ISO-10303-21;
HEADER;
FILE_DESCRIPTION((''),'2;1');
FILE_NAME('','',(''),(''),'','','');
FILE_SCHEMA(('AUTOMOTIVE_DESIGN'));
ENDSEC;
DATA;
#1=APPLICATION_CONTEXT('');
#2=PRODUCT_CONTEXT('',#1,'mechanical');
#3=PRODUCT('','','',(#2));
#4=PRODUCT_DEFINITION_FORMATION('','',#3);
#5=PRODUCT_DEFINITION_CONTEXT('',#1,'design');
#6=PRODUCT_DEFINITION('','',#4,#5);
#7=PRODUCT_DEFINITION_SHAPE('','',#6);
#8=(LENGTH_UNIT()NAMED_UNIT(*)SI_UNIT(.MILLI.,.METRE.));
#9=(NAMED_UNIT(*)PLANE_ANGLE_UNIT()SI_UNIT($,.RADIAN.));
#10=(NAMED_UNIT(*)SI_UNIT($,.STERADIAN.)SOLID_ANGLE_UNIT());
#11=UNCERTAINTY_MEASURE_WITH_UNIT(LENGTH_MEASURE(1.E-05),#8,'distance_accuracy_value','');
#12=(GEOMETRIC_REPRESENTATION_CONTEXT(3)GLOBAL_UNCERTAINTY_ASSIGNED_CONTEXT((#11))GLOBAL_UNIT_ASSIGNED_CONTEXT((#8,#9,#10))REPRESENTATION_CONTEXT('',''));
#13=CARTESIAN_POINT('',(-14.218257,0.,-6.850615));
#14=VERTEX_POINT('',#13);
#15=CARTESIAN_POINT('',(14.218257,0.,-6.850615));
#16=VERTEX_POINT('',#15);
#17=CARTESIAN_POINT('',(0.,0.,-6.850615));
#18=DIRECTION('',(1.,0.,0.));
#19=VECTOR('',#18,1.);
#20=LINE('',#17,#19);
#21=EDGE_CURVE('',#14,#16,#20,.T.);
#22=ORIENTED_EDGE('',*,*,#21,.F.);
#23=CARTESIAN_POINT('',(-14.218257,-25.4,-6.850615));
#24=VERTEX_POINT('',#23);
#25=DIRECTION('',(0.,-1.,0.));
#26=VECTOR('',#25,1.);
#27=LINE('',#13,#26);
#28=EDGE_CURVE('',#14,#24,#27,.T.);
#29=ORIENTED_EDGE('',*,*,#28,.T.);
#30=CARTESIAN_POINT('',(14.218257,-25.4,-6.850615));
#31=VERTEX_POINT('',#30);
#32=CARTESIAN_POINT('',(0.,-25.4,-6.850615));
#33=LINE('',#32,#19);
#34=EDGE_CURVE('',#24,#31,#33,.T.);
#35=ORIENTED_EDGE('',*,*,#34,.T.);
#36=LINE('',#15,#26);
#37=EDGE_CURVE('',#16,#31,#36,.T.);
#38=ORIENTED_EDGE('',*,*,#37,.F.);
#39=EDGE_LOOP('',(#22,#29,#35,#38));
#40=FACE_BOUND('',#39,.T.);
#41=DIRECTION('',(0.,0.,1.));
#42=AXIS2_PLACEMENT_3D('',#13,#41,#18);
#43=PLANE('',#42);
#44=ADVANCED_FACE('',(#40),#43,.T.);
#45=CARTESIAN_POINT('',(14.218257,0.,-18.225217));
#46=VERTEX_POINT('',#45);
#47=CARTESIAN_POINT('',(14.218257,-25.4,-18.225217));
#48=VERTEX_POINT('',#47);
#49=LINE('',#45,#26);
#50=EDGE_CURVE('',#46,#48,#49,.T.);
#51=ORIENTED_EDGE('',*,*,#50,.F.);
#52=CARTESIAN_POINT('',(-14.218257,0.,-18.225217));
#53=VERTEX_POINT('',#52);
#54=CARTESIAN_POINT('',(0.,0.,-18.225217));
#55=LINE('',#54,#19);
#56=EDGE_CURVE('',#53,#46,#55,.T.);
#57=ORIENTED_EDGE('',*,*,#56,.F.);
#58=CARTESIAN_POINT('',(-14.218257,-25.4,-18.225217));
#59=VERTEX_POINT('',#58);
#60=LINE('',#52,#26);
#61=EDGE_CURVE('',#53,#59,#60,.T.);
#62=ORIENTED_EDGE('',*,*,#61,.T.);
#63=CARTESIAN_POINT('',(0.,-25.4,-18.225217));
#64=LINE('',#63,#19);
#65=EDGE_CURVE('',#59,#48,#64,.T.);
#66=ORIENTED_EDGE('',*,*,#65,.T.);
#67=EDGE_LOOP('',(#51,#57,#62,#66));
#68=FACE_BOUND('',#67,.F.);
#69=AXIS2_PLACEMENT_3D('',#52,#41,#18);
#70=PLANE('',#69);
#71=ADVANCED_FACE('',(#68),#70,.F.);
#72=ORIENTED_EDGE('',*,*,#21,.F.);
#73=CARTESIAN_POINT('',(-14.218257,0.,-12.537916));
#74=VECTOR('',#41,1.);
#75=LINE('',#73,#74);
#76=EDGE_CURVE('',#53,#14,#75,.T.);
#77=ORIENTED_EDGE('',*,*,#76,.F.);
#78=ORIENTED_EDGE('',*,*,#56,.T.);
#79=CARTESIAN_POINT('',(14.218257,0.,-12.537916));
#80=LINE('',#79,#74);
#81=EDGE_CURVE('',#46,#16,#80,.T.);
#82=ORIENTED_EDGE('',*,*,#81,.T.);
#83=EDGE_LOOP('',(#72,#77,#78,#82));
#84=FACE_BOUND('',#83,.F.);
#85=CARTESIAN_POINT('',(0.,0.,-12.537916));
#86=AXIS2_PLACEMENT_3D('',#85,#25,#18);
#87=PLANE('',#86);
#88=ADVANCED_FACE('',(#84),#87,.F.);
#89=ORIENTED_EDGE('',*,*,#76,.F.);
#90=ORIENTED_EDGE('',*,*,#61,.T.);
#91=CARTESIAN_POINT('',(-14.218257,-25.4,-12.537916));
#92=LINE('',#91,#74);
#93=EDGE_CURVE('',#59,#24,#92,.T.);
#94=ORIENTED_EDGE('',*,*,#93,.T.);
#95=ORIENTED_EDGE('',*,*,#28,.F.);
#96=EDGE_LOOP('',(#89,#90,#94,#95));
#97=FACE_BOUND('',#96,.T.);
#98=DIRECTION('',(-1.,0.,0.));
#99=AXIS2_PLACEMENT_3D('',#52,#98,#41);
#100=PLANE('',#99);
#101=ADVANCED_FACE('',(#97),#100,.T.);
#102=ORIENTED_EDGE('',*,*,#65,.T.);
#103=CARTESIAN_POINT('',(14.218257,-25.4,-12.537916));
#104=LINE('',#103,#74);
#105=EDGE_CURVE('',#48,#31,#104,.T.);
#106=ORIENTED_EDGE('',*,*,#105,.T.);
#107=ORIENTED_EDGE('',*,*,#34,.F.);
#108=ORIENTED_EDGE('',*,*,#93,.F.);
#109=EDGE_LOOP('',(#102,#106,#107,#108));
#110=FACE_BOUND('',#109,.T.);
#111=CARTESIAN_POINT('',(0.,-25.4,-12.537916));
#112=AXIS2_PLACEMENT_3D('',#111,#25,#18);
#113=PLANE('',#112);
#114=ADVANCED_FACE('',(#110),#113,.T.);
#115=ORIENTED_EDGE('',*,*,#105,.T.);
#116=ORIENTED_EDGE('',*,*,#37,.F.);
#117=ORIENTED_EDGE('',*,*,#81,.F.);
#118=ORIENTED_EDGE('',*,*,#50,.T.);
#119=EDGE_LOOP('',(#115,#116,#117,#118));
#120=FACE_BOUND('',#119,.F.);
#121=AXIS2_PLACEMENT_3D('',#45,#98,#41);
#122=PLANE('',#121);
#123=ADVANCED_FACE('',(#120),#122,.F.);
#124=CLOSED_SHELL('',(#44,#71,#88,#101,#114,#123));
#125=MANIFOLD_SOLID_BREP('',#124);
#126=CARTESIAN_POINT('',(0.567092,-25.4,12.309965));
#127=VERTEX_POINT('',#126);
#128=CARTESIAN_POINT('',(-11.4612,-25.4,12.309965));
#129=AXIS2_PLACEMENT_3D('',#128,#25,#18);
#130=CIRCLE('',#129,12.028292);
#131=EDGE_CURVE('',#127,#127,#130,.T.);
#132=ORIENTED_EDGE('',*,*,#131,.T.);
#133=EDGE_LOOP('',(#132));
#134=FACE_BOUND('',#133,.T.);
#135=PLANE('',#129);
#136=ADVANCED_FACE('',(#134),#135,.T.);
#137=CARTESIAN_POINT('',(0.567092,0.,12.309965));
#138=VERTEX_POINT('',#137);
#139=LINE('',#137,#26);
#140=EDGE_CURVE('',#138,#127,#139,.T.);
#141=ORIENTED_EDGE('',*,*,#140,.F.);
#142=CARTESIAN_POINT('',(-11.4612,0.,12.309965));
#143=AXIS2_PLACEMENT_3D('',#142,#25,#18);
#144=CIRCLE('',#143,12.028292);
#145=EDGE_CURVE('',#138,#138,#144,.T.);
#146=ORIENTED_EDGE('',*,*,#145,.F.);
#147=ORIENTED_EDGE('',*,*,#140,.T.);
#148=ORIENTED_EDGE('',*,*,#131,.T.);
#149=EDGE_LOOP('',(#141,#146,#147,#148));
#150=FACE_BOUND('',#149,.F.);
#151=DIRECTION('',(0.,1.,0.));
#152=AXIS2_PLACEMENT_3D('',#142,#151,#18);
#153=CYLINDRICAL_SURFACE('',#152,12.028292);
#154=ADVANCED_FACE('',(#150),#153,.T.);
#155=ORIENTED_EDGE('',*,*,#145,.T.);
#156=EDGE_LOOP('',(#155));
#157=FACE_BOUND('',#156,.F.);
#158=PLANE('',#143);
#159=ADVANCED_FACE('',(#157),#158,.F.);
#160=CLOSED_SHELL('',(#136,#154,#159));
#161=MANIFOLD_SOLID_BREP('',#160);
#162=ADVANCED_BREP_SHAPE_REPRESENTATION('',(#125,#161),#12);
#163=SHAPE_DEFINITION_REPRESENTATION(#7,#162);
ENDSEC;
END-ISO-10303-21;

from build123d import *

# Parameters (mm, degrees)
F0_R     = 12.028292
F0_W     = 28.436514
F0_H     = 11.374602
F1_DEPTH = 25.4


with BuildPart() as f1:
    # F0 (on Front) → F1 (new body)
    with BuildSketch(Plane.XZ):
        with Locations((-11.4612, 12.309965)):
            Circle(F0_R)
        with Locations((0, -12.537916)):
            Rectangle(F0_W, F0_H)
    extrude(amount=F1_DEPTH)


solid = f1.part
